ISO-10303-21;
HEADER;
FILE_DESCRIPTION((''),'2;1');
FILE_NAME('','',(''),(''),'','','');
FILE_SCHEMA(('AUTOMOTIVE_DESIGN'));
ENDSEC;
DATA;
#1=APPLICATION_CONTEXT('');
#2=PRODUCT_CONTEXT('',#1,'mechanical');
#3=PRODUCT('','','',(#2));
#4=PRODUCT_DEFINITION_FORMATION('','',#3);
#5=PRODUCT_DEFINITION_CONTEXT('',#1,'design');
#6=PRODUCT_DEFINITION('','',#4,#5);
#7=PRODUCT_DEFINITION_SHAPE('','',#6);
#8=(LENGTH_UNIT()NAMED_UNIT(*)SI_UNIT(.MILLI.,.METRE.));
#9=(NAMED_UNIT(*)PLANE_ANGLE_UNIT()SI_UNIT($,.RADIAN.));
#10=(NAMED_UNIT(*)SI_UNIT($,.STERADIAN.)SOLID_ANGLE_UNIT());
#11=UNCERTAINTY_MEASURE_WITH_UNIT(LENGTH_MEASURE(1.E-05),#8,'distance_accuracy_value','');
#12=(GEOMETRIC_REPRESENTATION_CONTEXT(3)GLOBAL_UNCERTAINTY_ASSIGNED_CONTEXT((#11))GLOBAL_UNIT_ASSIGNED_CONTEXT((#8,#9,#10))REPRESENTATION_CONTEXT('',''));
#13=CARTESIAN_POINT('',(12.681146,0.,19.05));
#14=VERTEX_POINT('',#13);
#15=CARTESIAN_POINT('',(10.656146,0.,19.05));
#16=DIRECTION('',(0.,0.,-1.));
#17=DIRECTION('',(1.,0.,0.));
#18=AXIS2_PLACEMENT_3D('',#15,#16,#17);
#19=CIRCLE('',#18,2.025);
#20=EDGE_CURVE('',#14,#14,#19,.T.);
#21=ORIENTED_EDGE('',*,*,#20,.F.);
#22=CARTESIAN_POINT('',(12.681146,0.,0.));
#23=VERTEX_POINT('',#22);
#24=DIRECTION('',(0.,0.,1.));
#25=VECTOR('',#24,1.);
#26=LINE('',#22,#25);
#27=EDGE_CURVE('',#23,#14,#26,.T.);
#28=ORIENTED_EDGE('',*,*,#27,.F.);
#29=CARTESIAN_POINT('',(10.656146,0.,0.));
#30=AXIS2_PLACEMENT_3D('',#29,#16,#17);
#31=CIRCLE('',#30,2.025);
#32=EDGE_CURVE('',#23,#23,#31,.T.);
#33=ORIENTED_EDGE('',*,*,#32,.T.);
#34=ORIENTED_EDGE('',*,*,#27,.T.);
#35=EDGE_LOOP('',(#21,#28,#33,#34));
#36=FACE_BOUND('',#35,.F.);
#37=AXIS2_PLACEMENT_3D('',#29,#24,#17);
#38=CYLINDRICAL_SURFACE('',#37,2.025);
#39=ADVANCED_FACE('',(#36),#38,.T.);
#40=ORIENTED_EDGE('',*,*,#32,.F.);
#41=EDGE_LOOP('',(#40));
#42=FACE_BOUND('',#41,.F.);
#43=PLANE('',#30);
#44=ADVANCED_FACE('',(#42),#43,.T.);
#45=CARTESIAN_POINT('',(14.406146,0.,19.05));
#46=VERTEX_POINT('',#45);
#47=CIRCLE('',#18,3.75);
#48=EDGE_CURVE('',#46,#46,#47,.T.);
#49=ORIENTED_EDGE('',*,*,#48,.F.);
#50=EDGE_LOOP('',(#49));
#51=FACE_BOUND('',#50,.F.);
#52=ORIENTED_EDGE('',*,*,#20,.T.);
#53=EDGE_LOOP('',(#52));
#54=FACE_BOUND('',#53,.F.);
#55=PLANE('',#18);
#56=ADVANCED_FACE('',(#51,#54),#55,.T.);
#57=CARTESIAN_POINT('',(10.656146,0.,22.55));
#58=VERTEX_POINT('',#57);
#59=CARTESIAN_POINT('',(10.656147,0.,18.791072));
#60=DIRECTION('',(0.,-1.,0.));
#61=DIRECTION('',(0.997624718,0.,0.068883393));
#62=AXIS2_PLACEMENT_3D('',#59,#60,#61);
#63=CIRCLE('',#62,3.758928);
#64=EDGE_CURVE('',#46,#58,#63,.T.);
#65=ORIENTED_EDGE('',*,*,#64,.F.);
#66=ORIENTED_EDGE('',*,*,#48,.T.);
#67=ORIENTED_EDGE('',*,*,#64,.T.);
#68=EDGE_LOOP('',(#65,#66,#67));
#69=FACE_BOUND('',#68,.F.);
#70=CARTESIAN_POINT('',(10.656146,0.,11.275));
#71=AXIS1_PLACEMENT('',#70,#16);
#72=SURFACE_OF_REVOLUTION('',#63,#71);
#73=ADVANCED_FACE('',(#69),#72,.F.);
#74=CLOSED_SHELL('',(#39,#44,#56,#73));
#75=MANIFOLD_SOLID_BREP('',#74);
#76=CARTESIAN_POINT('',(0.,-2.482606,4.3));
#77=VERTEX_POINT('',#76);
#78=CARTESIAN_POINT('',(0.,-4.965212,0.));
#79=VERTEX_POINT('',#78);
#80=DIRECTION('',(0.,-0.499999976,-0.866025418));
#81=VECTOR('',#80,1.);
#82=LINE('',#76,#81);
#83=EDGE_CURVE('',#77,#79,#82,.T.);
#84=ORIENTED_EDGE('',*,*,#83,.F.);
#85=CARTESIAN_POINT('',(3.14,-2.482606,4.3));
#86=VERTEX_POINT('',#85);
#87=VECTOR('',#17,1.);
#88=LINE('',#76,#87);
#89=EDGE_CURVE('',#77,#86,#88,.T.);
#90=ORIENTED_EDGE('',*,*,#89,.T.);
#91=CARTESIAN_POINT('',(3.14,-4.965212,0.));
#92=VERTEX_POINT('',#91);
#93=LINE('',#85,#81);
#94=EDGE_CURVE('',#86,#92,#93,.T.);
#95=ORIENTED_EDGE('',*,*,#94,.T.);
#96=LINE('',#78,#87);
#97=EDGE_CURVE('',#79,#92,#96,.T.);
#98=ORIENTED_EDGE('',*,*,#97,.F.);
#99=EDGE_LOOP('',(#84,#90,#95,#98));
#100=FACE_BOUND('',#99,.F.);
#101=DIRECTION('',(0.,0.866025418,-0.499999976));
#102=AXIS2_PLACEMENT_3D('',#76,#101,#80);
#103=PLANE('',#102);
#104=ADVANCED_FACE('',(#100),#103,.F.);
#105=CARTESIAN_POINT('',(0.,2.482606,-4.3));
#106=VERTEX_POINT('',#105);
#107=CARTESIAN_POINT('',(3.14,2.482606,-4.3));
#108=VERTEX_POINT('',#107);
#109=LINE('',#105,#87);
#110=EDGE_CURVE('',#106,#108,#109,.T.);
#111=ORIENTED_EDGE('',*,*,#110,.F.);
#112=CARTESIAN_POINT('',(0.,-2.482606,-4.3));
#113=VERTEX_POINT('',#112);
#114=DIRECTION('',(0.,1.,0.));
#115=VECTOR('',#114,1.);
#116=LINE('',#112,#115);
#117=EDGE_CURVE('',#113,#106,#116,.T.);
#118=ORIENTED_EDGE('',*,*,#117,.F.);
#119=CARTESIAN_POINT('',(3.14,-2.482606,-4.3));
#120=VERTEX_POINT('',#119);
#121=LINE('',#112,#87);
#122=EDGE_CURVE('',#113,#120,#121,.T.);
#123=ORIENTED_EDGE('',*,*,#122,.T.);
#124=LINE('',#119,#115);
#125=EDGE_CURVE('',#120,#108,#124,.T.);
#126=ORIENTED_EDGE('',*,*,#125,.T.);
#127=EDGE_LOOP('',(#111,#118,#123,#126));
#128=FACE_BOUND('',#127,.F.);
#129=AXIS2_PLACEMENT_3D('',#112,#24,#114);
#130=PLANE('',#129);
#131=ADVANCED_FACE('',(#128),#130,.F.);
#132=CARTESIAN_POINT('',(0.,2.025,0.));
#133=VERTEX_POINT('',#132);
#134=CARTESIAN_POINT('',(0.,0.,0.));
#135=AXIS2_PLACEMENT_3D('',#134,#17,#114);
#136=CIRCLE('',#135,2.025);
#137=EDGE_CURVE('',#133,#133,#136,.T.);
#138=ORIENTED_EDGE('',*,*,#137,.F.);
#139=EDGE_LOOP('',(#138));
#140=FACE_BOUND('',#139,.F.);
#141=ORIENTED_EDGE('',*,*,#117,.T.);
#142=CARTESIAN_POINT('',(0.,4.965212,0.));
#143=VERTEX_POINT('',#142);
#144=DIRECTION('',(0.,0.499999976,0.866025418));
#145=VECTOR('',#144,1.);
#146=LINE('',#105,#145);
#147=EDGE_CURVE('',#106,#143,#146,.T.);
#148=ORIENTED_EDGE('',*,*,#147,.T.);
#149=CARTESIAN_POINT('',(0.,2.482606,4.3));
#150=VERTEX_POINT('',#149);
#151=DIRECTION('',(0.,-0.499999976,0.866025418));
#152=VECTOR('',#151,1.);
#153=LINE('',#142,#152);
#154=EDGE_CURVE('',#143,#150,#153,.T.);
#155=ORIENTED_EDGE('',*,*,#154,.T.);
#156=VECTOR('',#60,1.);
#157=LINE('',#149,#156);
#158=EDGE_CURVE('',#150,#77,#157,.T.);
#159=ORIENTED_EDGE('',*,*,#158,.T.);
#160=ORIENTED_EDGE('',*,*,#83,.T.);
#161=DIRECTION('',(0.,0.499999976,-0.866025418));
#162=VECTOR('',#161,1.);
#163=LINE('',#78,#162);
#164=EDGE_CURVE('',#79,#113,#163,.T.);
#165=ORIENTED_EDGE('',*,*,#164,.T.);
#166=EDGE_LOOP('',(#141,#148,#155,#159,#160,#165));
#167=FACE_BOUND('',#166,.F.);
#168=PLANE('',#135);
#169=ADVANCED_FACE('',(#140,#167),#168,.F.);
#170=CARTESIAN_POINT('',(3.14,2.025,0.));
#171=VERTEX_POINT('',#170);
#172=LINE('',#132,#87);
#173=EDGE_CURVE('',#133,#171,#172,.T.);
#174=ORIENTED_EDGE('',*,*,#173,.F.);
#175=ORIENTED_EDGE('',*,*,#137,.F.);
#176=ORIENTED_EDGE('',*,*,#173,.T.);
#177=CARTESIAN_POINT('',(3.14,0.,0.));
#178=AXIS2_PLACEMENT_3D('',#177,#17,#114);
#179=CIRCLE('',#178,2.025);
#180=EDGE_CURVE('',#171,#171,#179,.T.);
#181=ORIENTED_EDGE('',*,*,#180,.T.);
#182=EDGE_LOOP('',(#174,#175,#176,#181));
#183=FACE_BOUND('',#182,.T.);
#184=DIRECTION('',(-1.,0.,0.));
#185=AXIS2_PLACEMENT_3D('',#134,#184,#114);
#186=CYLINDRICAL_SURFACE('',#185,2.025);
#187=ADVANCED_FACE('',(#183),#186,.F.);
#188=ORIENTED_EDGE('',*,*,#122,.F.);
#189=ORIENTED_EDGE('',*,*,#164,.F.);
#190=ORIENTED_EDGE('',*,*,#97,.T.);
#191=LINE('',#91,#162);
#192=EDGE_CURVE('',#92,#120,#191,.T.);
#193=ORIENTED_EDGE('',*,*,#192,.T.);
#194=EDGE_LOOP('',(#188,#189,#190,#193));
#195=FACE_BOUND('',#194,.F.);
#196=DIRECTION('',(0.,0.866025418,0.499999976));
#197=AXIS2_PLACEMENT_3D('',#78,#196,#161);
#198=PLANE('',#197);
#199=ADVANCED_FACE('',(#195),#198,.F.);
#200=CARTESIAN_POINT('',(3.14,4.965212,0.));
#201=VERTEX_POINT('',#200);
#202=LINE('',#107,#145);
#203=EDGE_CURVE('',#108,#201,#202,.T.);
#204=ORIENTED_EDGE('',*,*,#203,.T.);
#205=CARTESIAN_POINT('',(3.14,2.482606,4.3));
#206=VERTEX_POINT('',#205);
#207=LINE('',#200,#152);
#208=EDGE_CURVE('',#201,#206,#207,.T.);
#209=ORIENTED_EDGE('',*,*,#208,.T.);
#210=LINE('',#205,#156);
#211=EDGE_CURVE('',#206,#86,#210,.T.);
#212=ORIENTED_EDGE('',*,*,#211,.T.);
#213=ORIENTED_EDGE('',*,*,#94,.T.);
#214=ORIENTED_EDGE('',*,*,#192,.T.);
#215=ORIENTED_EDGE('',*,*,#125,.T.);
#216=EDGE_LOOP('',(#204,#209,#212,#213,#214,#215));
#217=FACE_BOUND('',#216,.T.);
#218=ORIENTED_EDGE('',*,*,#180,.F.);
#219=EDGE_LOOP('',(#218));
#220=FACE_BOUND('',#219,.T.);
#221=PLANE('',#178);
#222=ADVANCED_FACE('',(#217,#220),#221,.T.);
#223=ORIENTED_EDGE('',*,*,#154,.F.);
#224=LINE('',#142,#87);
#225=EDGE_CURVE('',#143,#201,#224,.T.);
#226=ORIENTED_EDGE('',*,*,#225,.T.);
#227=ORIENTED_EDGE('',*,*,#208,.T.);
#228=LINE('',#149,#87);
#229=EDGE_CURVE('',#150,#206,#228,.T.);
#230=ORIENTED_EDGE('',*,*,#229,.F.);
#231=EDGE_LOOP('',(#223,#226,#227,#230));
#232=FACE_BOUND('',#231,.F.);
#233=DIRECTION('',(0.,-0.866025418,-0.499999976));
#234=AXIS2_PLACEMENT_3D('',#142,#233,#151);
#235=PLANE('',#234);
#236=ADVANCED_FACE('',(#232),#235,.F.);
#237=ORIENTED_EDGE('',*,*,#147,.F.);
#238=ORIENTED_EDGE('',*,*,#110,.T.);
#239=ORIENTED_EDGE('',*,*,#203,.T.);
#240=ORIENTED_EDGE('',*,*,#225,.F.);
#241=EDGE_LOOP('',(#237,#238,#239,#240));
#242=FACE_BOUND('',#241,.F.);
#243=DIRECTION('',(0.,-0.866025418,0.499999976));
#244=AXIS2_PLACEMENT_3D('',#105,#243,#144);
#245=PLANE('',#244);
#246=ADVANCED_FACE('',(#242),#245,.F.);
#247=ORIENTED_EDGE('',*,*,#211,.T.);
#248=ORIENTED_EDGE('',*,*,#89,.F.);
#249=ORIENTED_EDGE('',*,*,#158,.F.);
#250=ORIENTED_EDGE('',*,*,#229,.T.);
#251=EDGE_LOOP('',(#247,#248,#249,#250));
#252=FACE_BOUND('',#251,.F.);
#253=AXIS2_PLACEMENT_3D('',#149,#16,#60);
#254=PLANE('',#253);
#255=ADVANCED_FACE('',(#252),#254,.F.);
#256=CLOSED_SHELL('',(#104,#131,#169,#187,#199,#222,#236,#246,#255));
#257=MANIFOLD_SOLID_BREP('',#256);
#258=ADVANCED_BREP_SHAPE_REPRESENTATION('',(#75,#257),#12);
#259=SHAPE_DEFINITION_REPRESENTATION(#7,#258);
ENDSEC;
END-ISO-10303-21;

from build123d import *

# Parameters (mm, degrees)
F0_R     = 2.025
F1_DEPTH = 3.14


with BuildPart() as f1:
    # F0 (on Right) → F1 (new body)
    with BuildSketch(Plane.YZ):
        Polygon((-2.482606, 4.3), (-4.965212, 0), (-2.482606, -4.3), (2.482606, -4.3), (4.965212, 0), (2.482606, 4.3), align=None)
        Circle(F0_R, mode=Mode.SUBTRACT)
    extrude(amount=F1_DEPTH)


with BuildPart() as f3:
    # F2 (on Front) → F3 (revolve)
    with BuildSketch(Plane.XZ):
        with BuildLine():
            Line((10.656146, 22.55), (10.656146, 0))
            Line((10.656146, 0), (12.681146, 0))
            Line((12.681146, 0), (12.681146, 19.05))
            Line((12.681146, 19.05), (14.406146, 19.05))
            ThreePointArc((14.406146, 19.05), (13.220932, 21.539056), (10.656146, 22.55))
        make_face()
    revolve(axis=Axis((10.656146, 0, 11.275), (0, 0, -1)))


solid = Compound([f1.part, f3.part])
